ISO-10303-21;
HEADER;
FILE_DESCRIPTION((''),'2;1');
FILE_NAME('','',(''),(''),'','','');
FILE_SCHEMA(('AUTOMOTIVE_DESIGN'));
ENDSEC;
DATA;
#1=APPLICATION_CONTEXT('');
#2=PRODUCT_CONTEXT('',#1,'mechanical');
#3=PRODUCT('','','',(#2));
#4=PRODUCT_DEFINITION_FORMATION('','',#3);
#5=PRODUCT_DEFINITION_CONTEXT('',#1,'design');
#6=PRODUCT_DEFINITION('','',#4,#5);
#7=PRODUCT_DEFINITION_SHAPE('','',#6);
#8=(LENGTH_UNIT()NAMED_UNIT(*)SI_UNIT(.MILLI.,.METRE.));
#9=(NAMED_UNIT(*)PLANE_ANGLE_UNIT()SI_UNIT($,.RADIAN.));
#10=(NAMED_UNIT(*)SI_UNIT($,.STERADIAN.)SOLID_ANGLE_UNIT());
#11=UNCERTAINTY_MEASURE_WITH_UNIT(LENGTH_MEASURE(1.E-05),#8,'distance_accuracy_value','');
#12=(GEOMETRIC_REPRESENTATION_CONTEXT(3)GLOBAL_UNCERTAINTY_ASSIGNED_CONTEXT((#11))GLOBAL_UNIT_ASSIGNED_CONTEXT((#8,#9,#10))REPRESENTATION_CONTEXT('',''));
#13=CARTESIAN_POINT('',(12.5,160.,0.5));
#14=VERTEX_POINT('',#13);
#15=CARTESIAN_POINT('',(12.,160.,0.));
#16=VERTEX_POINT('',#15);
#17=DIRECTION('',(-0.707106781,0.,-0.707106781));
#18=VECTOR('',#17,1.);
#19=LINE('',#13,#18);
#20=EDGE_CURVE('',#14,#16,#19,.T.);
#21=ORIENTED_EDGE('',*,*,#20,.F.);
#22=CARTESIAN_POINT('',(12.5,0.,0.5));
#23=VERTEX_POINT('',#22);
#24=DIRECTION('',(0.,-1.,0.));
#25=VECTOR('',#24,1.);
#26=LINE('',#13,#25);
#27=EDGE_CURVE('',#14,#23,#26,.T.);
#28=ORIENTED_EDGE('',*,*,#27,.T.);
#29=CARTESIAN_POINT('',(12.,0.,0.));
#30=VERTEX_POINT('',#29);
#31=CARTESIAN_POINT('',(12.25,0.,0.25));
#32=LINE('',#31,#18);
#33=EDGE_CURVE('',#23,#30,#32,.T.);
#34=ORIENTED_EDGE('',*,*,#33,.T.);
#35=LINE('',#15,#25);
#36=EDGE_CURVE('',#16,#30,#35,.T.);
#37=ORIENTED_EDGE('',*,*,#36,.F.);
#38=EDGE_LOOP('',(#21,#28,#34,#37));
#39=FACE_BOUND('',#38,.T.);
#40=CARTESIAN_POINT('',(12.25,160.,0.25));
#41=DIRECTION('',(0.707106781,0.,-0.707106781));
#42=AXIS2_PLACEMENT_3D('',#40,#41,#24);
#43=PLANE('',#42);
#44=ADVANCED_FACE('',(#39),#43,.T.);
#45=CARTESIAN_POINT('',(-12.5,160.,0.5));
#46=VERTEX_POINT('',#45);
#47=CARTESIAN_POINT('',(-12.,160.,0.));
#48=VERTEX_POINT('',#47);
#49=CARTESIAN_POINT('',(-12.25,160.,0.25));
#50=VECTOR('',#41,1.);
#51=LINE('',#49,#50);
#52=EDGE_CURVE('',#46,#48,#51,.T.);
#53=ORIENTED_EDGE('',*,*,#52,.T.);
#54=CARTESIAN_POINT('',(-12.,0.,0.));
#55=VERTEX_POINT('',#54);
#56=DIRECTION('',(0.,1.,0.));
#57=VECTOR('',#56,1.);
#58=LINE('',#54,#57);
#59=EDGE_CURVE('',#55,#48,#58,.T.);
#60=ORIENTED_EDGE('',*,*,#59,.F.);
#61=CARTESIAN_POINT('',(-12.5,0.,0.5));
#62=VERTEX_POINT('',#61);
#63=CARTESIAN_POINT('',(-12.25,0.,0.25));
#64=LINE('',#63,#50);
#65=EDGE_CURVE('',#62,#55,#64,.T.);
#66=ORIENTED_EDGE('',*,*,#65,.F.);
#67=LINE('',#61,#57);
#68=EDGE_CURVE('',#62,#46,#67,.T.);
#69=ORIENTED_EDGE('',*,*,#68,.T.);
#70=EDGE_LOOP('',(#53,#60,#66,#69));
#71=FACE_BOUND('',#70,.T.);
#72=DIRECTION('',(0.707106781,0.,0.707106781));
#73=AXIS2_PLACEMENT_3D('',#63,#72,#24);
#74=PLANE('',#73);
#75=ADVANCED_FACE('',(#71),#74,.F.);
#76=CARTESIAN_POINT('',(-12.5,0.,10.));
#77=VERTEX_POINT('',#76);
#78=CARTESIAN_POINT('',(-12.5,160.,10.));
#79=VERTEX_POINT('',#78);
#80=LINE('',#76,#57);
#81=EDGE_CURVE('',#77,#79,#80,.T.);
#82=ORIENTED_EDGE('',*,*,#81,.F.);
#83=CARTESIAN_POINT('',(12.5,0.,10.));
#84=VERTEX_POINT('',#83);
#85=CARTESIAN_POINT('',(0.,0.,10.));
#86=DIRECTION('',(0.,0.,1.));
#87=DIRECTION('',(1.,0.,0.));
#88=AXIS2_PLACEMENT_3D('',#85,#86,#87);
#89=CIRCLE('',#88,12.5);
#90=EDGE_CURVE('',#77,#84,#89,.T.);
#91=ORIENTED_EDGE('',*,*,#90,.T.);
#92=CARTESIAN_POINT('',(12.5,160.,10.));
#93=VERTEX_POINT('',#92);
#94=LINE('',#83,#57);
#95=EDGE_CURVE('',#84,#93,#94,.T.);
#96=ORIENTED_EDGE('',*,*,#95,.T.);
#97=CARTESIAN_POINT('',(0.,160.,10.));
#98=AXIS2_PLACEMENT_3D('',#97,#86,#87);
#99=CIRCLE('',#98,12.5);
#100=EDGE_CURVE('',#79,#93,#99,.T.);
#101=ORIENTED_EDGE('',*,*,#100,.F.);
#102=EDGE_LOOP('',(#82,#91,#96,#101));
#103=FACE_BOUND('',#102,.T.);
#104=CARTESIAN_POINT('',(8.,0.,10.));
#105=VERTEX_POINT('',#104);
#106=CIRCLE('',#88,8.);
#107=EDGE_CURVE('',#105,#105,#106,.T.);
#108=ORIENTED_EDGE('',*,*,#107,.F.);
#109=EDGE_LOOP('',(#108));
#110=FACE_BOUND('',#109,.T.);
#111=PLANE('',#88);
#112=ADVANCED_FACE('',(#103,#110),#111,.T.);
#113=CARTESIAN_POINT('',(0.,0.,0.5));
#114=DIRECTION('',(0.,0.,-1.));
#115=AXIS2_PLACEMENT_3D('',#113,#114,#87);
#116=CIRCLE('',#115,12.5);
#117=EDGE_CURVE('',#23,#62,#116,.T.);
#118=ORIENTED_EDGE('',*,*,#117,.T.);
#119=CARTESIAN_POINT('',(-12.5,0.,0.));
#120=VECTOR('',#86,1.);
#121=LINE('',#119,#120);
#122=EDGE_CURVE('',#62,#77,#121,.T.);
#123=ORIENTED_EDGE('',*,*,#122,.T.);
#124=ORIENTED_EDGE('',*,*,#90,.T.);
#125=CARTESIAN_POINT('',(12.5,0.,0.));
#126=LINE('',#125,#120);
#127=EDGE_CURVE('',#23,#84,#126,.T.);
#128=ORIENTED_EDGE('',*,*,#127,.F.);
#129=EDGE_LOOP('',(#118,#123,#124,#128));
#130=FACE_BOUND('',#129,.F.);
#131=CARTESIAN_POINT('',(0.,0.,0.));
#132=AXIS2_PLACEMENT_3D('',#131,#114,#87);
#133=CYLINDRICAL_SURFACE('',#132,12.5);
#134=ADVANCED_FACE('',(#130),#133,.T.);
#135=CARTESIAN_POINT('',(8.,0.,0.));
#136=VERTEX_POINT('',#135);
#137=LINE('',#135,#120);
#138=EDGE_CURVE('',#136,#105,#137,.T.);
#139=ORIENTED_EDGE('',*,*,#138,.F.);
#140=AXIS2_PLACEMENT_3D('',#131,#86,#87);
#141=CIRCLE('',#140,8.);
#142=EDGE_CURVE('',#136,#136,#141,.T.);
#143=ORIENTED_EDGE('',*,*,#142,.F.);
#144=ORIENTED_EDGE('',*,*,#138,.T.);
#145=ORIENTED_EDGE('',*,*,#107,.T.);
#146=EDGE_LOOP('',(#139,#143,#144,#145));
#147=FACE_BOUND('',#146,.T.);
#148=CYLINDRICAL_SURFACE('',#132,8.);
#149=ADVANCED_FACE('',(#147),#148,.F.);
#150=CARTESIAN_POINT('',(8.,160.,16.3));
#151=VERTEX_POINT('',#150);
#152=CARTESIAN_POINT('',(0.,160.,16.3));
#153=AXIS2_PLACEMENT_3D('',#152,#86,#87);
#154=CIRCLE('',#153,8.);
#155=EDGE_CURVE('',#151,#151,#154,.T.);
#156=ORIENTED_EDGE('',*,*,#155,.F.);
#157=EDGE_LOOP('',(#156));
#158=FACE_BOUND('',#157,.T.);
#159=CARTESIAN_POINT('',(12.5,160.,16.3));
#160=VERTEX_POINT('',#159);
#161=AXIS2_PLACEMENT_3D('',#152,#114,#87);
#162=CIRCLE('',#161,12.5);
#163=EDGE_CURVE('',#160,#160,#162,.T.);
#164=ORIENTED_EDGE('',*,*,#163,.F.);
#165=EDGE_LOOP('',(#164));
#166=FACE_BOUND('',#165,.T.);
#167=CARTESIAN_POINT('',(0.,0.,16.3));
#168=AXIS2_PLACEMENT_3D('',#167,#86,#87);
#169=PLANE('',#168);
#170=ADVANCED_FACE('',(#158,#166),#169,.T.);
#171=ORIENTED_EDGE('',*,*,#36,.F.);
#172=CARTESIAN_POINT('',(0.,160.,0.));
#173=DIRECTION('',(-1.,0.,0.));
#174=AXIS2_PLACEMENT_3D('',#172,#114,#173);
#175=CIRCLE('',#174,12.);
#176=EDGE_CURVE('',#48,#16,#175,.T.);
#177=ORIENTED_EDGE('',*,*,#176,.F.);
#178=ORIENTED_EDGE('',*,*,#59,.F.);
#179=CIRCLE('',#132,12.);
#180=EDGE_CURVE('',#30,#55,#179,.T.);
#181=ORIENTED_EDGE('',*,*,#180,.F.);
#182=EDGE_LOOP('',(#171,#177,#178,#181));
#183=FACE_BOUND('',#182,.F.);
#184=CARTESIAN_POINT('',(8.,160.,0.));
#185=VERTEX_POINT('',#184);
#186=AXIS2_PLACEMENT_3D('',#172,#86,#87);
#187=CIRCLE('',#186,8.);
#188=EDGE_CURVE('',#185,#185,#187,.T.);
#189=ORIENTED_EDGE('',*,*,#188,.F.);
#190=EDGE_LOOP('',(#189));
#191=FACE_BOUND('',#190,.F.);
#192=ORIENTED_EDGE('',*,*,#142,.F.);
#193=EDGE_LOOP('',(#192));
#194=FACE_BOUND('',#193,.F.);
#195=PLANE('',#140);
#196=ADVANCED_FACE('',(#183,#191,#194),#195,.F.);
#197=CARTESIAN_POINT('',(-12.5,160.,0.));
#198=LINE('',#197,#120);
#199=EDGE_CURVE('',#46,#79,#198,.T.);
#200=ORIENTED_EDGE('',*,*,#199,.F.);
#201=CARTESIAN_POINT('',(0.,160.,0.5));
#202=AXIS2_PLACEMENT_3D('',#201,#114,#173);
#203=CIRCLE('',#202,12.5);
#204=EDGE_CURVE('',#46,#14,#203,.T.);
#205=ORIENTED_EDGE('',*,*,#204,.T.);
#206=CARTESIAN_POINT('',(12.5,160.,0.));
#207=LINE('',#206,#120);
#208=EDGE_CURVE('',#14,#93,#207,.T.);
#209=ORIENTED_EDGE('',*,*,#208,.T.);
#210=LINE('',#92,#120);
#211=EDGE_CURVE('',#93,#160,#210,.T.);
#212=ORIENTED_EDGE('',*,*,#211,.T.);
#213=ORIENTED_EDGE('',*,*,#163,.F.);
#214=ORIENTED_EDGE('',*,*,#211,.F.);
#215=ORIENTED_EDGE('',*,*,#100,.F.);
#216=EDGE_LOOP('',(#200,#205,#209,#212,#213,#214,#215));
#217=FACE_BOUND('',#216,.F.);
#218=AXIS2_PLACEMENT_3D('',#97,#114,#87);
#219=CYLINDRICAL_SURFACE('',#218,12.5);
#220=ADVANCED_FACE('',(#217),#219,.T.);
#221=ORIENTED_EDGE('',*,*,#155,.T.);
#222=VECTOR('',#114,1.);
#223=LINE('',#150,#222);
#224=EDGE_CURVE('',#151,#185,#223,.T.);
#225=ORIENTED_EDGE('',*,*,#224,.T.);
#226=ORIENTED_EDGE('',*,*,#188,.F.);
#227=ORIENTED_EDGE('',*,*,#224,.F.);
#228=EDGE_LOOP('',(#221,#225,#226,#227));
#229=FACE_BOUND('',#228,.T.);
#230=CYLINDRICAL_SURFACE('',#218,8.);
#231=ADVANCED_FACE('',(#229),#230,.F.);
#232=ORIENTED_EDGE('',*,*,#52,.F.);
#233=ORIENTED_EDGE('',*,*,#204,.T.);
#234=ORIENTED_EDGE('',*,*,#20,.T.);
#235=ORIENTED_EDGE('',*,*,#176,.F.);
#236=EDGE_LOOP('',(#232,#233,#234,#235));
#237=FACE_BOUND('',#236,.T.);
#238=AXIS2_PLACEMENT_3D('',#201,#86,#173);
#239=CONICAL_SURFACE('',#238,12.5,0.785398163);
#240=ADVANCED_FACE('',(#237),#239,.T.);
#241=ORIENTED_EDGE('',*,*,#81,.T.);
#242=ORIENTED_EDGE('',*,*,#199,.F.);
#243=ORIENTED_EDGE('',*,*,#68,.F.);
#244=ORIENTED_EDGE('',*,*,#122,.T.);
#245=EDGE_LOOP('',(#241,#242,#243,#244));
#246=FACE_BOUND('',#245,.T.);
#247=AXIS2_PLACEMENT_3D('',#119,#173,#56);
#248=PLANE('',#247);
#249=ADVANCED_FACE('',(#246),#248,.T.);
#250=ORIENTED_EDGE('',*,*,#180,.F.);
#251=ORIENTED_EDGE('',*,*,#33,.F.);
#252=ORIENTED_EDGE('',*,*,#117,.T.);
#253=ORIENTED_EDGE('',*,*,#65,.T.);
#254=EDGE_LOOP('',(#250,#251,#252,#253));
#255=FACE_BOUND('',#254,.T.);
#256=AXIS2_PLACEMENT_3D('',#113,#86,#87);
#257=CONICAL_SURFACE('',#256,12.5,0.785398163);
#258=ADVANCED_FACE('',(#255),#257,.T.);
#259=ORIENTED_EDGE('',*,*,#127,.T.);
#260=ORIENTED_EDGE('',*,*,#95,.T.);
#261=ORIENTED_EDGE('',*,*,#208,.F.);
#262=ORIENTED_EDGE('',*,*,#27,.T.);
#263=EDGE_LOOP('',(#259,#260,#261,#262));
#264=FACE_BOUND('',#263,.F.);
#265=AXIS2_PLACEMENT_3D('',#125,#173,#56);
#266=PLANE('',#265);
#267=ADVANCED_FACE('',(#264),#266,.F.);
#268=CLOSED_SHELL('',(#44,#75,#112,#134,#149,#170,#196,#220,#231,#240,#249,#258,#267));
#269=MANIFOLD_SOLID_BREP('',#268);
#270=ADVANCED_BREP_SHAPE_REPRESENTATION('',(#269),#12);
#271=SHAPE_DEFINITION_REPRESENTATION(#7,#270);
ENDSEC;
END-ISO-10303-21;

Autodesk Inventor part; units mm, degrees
sketch "Skizze5" plane through (0, 0, 0) normal (0, 0, 1) x (1, 0, 0)
  circle A0 centre (0, 0) radius 12.5
  circle A1 centre (0, 0) radius 8
  circle A2 centre (0, 160) radius 12.5
  circle A3 centre (0, 160) radius 8
  line L0 (0, 0) -> (0, 160) construction
  line L1 (-12.5, 0) -> (-12.5, 160)
  line L2 (12.5, 0) -> (12.5, 160)
  circle A4 centre (0, 80) radius 3
  dimension "d98" = 25
  dimension "d99" = 16
  dimension "d100" = 160
  dimension "d110" = 16
  dimension "d116" = 6
  dimension "d117" = 80
extrude "Extrusion8" add sketch "Skizze5" along normal blind 10 contours A0 | A0 L1 A2 L2 | A2 | A4
extrude "Extrusion12" add sketch "Skizze5" along normal blind 6.3 from surface at 10 contours A2
chamfer "Fase1" distance 0.5 angle 45 4 edges at (-12.5, 80, 0) (0, -12.5, 0) (12.5, 80, 0) (0, 172.5, 0)
equation "\"Anlaufscheibe_Thickness\" = 1"
equation "\"BaseFrame_InnerWidth\" = 83"
equation "\"Rillenkugellager_Flanschdicke\" = 1.1"
properties part number "ParallelSystem_ProximalPart_SupportLink" material "PBT-Kunststoff"
